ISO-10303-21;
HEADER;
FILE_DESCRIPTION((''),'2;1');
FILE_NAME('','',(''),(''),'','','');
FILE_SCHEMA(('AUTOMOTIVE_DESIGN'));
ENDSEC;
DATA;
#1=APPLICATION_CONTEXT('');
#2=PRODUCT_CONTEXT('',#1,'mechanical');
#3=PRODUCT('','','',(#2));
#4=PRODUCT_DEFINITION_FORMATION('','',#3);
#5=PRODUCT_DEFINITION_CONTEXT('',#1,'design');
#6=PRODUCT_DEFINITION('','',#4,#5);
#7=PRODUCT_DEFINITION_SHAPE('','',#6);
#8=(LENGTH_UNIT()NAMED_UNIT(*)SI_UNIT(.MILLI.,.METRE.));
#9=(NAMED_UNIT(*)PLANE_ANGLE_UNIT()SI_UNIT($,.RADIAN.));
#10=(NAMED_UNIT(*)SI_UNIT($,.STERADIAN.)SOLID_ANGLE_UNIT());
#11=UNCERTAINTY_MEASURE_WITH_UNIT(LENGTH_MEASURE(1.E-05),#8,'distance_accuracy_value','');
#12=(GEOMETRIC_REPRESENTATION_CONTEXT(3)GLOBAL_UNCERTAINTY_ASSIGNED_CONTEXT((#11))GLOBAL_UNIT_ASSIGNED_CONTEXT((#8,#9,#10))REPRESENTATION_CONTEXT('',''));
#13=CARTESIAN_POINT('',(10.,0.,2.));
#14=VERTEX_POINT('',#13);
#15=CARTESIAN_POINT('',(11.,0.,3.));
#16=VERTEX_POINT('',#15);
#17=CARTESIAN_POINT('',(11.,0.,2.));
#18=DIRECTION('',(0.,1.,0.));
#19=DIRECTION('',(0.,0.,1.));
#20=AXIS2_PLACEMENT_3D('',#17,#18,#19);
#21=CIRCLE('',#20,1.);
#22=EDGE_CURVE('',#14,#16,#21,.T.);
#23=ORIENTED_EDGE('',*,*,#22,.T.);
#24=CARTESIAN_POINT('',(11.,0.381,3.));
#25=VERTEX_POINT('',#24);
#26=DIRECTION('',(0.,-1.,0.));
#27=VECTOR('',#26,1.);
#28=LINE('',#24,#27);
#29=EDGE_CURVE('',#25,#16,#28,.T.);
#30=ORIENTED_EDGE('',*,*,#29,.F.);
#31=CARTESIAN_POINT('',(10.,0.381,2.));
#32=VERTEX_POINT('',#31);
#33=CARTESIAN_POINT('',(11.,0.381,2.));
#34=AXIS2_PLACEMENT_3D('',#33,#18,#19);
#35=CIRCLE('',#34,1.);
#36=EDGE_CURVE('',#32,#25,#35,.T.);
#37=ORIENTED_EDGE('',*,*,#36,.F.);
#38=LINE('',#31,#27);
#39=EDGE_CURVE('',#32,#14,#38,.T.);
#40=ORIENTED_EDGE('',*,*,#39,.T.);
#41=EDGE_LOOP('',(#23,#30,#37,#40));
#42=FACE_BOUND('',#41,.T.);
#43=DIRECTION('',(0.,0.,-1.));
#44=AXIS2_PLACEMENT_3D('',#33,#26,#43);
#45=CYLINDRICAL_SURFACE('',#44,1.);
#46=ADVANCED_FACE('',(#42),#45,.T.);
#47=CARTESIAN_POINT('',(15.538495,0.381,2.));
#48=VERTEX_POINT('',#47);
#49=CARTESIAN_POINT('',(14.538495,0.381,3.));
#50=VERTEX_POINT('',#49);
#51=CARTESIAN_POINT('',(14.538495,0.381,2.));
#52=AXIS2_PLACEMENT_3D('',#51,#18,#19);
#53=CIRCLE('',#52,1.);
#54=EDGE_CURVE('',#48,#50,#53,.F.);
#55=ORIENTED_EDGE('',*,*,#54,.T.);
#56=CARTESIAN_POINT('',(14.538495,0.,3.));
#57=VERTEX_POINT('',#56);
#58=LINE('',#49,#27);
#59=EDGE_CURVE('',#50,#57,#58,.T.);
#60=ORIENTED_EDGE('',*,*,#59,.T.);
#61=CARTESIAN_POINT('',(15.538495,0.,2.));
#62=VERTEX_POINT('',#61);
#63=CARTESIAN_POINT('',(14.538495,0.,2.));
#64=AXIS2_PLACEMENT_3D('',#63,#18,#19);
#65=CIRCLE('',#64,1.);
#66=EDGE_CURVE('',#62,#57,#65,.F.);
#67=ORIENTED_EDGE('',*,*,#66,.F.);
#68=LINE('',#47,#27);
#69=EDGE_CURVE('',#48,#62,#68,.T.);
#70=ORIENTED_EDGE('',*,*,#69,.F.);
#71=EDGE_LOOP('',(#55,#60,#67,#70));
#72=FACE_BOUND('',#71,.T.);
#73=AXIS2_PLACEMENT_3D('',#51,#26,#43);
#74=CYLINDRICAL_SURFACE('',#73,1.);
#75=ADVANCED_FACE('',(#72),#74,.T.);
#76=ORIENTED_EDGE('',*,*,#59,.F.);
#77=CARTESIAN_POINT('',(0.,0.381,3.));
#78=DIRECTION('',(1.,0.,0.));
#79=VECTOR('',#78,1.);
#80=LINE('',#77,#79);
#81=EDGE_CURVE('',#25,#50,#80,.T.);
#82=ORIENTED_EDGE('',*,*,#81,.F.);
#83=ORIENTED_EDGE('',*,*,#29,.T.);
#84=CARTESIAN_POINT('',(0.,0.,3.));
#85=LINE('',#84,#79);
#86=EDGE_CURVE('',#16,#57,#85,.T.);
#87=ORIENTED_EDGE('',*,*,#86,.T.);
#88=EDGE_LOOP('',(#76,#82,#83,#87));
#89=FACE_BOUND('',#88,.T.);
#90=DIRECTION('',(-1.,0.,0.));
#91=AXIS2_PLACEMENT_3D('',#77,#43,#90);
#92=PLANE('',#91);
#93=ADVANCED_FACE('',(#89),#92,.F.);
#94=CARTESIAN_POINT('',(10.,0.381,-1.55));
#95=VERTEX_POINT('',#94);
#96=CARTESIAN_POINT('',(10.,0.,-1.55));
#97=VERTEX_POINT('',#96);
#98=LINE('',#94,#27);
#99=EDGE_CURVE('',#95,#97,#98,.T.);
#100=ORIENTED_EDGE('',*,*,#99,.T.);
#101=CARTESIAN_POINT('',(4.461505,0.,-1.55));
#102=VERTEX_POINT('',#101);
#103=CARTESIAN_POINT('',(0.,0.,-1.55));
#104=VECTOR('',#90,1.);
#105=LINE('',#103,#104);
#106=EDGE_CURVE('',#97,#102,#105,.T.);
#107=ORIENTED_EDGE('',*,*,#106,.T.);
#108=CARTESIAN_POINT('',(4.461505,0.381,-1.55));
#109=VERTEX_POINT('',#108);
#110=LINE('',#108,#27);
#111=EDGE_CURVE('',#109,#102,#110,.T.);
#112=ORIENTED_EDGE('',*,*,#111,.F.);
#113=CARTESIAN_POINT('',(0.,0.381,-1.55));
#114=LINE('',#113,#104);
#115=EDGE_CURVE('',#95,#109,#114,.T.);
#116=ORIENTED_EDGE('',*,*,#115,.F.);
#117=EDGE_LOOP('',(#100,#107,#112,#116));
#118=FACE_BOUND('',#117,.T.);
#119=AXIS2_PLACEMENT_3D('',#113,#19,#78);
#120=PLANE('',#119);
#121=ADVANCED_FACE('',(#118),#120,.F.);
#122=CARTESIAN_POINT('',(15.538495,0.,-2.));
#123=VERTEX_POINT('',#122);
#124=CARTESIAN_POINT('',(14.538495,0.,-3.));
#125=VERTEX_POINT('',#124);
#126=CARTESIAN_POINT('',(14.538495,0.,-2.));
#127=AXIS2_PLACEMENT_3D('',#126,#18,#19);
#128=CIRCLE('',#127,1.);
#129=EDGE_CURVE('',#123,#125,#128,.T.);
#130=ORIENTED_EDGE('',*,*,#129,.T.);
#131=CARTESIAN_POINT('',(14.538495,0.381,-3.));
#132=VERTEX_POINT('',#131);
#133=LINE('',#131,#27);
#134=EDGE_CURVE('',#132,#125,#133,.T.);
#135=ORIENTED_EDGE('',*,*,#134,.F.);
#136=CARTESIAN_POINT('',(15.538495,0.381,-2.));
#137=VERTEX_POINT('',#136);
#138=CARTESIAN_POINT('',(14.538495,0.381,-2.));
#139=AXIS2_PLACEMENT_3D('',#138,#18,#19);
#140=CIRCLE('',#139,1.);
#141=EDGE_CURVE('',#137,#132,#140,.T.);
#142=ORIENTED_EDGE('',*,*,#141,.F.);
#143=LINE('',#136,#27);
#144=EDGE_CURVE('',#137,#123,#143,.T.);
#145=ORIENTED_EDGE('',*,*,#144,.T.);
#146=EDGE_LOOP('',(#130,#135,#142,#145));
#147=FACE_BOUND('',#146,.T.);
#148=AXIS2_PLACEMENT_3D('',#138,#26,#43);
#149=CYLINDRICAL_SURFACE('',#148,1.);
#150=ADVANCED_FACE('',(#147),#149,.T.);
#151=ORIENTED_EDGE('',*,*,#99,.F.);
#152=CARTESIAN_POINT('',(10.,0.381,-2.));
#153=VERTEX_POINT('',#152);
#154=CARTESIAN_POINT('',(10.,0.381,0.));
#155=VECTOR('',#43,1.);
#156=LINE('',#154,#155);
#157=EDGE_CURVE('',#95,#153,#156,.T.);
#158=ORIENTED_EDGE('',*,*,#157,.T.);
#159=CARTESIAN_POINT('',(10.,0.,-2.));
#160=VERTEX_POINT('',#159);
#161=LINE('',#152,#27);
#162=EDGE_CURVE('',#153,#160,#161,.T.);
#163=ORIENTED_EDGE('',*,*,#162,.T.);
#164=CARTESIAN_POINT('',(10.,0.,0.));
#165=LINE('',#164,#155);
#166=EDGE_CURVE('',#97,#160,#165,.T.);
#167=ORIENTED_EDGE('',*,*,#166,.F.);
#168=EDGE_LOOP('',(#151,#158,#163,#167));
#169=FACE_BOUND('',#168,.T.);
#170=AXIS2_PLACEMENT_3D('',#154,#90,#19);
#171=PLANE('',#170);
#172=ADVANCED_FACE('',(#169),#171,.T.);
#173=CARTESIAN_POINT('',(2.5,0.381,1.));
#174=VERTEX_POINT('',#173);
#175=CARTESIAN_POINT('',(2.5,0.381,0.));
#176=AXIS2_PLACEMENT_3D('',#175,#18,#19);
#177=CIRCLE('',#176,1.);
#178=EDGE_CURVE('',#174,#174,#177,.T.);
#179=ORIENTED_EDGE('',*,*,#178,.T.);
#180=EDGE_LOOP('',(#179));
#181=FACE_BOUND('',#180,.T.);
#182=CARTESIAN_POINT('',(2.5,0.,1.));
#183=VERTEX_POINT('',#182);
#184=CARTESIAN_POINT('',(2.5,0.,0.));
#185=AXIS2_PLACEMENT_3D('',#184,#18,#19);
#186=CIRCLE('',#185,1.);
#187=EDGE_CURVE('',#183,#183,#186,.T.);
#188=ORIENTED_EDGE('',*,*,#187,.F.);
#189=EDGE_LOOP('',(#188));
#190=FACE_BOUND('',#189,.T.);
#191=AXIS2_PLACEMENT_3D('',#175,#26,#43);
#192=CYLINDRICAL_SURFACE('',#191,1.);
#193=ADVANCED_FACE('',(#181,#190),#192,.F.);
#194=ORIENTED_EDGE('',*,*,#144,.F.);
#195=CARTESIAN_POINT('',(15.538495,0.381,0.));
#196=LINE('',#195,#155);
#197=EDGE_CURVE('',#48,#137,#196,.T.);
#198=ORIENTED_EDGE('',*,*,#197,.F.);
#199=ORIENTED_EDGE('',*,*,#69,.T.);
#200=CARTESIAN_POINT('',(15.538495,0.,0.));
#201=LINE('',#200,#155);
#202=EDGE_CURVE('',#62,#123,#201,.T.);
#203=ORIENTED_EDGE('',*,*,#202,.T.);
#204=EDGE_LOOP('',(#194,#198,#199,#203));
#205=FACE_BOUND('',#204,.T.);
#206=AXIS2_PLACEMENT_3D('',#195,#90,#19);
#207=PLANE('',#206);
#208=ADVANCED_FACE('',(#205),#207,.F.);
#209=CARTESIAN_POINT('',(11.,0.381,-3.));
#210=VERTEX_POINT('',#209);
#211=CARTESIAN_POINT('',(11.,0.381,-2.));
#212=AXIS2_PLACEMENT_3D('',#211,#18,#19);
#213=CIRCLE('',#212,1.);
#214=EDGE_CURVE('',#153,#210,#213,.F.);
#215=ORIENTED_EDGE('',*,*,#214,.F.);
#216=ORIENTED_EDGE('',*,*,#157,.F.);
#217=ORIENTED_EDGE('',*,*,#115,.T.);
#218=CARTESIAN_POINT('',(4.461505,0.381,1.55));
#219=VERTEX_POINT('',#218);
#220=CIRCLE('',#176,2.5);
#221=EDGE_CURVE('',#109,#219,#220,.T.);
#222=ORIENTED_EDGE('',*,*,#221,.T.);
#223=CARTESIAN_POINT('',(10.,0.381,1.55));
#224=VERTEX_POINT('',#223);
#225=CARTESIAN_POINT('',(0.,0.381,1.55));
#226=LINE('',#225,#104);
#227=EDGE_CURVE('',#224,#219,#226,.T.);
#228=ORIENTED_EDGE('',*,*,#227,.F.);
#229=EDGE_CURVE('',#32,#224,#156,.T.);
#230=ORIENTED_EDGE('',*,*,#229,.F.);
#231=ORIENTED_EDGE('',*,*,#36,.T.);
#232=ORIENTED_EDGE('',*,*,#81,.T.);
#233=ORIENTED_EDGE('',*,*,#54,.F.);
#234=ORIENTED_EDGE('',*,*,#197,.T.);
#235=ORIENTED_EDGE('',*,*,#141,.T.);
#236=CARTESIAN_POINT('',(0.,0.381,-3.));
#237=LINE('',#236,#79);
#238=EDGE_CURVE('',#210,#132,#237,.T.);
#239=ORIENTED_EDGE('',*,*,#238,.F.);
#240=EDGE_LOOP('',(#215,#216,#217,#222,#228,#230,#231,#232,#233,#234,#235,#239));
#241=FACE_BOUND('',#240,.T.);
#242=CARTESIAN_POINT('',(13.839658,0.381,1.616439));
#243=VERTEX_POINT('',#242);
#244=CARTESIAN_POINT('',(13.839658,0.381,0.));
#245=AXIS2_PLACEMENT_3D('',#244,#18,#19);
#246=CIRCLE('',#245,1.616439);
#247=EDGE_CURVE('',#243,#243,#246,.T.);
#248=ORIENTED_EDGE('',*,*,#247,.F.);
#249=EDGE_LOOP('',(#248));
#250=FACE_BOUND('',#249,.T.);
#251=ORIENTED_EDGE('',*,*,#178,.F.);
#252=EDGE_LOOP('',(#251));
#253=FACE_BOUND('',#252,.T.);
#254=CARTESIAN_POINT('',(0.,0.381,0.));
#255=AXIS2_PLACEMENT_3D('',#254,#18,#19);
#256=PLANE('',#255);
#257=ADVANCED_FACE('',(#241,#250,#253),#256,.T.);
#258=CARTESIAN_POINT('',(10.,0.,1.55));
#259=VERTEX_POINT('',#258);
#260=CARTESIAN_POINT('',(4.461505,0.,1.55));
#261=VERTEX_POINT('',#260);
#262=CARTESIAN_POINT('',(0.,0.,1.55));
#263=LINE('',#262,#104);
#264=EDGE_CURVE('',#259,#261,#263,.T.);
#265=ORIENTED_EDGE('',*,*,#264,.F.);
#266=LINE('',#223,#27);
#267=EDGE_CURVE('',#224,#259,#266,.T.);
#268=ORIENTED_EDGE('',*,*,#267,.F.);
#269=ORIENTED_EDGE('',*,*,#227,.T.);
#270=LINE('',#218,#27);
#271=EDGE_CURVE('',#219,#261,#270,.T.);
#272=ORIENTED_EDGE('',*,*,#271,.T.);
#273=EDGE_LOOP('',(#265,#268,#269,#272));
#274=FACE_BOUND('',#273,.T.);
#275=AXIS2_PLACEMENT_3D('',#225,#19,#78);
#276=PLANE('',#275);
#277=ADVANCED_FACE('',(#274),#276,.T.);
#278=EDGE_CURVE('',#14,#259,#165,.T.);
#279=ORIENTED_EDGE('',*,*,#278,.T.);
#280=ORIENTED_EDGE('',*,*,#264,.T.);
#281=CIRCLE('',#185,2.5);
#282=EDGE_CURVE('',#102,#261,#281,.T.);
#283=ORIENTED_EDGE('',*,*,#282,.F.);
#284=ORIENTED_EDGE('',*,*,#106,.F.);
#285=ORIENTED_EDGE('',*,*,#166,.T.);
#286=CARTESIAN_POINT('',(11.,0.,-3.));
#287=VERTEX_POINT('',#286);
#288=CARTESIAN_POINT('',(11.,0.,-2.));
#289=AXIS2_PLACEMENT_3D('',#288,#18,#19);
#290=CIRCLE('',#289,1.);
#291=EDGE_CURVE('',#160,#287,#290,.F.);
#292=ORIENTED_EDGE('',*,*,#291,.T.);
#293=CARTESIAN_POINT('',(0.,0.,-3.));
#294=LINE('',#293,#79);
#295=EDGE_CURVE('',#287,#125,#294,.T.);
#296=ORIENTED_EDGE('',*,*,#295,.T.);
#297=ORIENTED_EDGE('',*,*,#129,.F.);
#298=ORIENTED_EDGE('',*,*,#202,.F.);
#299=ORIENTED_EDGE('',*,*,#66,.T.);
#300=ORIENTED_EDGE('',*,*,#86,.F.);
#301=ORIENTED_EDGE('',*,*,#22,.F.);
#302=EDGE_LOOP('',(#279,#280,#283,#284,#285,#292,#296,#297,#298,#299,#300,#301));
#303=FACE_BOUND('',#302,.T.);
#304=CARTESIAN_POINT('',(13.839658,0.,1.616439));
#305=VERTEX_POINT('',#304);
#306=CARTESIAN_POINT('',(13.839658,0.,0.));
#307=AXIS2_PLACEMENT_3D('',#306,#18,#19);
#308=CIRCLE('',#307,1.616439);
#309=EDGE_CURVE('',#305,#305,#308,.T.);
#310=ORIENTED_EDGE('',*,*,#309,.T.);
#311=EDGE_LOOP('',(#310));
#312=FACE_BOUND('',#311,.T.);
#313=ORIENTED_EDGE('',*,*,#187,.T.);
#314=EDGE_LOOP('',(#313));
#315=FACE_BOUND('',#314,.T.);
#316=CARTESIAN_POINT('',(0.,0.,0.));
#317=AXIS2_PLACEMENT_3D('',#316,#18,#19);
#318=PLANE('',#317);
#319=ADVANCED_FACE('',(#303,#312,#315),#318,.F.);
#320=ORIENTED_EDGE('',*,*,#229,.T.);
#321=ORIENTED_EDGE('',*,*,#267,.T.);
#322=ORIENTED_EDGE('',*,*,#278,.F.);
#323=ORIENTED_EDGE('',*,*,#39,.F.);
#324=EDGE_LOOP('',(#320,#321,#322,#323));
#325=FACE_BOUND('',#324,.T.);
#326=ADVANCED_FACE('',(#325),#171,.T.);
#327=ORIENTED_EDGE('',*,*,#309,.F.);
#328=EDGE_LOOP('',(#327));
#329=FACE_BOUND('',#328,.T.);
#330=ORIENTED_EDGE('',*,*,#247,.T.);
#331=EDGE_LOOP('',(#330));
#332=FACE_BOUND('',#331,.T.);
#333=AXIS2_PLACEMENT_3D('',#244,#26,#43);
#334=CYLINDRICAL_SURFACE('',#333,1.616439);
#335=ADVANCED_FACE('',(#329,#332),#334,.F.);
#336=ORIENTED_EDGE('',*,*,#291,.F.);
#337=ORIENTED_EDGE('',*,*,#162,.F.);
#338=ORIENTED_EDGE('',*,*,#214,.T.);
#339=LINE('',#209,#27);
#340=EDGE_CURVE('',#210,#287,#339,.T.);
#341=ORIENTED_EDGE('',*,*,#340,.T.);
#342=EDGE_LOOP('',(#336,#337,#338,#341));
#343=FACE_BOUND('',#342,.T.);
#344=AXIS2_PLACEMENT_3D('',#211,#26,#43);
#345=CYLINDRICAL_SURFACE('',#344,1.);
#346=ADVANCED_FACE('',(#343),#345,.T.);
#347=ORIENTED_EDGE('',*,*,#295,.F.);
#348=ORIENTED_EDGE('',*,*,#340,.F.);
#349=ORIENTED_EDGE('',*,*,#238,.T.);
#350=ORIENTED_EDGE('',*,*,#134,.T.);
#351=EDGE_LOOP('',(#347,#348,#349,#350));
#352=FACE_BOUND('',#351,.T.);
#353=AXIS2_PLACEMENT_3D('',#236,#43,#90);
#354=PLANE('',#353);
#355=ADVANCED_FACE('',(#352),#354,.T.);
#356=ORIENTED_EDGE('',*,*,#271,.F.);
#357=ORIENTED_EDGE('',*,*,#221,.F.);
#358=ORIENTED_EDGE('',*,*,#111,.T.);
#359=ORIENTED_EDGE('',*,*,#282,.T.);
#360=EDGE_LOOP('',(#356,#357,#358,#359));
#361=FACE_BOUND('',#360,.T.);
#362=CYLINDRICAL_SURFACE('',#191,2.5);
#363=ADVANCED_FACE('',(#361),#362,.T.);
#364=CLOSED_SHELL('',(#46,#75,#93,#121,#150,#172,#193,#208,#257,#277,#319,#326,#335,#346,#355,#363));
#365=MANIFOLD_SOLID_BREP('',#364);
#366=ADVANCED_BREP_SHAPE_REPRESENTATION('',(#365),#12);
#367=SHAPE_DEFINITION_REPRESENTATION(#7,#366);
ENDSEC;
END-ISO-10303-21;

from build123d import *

# Parameters (mm, degrees)
SKETCH1_R           = 1
SKETCH1_R_2         = 1.616439125
BOSS_EXTRUDE4_DEPTH = 0.381


with BuildPart() as part:
    # Sketch1 → Boss-Extrude4 (new body)
    with BuildSketch(Plane(origin=(0, 0, 0), x_dir=(1, 0, 0), z_dir=(0, 1, 0))):
        with BuildLine():
            Line((4.461504525, -1.55), (10, -1.55))
            Line((10, -1.55), (10, -2))
            ThreePointArc((10, -2), (10.292893219, -2.707106781), (11, -3))
            Line((11, -3), (14.538495475, -3))
            ThreePointArc((14.538495475, -3), (15.245602257, -2.707106781), (15.538495475, -2))
            Line((15.538495475, -2), (15.538495475, 2))
            ThreePointArc((15.538495475, 2), (15.245602257, 2.707106781), (14.538495475, 3))
            Line((14.538495475, 3), (11, 3))
            ThreePointArc((11, 3), (10.292893219, 2.707106781), (10, 2))
            Line((10, 2), (10, 1.55))
            Line((10, 1.55), (4.461504525, 1.55))
            ThreePointArc((4.461504525, 1.55), (0, 0), (4.461504525, -1.55))
        make_face()
        with Locations((2.5, 0)):
            Circle(SKETCH1_R, mode=Mode.SUBTRACT)
        with Locations((13.839657546, 0)):
            Circle(SKETCH1_R_2, mode=Mode.SUBTRACT)
    extrude(amount=BOSS_EXTRUDE4_DEPTH)


solid = part.part
